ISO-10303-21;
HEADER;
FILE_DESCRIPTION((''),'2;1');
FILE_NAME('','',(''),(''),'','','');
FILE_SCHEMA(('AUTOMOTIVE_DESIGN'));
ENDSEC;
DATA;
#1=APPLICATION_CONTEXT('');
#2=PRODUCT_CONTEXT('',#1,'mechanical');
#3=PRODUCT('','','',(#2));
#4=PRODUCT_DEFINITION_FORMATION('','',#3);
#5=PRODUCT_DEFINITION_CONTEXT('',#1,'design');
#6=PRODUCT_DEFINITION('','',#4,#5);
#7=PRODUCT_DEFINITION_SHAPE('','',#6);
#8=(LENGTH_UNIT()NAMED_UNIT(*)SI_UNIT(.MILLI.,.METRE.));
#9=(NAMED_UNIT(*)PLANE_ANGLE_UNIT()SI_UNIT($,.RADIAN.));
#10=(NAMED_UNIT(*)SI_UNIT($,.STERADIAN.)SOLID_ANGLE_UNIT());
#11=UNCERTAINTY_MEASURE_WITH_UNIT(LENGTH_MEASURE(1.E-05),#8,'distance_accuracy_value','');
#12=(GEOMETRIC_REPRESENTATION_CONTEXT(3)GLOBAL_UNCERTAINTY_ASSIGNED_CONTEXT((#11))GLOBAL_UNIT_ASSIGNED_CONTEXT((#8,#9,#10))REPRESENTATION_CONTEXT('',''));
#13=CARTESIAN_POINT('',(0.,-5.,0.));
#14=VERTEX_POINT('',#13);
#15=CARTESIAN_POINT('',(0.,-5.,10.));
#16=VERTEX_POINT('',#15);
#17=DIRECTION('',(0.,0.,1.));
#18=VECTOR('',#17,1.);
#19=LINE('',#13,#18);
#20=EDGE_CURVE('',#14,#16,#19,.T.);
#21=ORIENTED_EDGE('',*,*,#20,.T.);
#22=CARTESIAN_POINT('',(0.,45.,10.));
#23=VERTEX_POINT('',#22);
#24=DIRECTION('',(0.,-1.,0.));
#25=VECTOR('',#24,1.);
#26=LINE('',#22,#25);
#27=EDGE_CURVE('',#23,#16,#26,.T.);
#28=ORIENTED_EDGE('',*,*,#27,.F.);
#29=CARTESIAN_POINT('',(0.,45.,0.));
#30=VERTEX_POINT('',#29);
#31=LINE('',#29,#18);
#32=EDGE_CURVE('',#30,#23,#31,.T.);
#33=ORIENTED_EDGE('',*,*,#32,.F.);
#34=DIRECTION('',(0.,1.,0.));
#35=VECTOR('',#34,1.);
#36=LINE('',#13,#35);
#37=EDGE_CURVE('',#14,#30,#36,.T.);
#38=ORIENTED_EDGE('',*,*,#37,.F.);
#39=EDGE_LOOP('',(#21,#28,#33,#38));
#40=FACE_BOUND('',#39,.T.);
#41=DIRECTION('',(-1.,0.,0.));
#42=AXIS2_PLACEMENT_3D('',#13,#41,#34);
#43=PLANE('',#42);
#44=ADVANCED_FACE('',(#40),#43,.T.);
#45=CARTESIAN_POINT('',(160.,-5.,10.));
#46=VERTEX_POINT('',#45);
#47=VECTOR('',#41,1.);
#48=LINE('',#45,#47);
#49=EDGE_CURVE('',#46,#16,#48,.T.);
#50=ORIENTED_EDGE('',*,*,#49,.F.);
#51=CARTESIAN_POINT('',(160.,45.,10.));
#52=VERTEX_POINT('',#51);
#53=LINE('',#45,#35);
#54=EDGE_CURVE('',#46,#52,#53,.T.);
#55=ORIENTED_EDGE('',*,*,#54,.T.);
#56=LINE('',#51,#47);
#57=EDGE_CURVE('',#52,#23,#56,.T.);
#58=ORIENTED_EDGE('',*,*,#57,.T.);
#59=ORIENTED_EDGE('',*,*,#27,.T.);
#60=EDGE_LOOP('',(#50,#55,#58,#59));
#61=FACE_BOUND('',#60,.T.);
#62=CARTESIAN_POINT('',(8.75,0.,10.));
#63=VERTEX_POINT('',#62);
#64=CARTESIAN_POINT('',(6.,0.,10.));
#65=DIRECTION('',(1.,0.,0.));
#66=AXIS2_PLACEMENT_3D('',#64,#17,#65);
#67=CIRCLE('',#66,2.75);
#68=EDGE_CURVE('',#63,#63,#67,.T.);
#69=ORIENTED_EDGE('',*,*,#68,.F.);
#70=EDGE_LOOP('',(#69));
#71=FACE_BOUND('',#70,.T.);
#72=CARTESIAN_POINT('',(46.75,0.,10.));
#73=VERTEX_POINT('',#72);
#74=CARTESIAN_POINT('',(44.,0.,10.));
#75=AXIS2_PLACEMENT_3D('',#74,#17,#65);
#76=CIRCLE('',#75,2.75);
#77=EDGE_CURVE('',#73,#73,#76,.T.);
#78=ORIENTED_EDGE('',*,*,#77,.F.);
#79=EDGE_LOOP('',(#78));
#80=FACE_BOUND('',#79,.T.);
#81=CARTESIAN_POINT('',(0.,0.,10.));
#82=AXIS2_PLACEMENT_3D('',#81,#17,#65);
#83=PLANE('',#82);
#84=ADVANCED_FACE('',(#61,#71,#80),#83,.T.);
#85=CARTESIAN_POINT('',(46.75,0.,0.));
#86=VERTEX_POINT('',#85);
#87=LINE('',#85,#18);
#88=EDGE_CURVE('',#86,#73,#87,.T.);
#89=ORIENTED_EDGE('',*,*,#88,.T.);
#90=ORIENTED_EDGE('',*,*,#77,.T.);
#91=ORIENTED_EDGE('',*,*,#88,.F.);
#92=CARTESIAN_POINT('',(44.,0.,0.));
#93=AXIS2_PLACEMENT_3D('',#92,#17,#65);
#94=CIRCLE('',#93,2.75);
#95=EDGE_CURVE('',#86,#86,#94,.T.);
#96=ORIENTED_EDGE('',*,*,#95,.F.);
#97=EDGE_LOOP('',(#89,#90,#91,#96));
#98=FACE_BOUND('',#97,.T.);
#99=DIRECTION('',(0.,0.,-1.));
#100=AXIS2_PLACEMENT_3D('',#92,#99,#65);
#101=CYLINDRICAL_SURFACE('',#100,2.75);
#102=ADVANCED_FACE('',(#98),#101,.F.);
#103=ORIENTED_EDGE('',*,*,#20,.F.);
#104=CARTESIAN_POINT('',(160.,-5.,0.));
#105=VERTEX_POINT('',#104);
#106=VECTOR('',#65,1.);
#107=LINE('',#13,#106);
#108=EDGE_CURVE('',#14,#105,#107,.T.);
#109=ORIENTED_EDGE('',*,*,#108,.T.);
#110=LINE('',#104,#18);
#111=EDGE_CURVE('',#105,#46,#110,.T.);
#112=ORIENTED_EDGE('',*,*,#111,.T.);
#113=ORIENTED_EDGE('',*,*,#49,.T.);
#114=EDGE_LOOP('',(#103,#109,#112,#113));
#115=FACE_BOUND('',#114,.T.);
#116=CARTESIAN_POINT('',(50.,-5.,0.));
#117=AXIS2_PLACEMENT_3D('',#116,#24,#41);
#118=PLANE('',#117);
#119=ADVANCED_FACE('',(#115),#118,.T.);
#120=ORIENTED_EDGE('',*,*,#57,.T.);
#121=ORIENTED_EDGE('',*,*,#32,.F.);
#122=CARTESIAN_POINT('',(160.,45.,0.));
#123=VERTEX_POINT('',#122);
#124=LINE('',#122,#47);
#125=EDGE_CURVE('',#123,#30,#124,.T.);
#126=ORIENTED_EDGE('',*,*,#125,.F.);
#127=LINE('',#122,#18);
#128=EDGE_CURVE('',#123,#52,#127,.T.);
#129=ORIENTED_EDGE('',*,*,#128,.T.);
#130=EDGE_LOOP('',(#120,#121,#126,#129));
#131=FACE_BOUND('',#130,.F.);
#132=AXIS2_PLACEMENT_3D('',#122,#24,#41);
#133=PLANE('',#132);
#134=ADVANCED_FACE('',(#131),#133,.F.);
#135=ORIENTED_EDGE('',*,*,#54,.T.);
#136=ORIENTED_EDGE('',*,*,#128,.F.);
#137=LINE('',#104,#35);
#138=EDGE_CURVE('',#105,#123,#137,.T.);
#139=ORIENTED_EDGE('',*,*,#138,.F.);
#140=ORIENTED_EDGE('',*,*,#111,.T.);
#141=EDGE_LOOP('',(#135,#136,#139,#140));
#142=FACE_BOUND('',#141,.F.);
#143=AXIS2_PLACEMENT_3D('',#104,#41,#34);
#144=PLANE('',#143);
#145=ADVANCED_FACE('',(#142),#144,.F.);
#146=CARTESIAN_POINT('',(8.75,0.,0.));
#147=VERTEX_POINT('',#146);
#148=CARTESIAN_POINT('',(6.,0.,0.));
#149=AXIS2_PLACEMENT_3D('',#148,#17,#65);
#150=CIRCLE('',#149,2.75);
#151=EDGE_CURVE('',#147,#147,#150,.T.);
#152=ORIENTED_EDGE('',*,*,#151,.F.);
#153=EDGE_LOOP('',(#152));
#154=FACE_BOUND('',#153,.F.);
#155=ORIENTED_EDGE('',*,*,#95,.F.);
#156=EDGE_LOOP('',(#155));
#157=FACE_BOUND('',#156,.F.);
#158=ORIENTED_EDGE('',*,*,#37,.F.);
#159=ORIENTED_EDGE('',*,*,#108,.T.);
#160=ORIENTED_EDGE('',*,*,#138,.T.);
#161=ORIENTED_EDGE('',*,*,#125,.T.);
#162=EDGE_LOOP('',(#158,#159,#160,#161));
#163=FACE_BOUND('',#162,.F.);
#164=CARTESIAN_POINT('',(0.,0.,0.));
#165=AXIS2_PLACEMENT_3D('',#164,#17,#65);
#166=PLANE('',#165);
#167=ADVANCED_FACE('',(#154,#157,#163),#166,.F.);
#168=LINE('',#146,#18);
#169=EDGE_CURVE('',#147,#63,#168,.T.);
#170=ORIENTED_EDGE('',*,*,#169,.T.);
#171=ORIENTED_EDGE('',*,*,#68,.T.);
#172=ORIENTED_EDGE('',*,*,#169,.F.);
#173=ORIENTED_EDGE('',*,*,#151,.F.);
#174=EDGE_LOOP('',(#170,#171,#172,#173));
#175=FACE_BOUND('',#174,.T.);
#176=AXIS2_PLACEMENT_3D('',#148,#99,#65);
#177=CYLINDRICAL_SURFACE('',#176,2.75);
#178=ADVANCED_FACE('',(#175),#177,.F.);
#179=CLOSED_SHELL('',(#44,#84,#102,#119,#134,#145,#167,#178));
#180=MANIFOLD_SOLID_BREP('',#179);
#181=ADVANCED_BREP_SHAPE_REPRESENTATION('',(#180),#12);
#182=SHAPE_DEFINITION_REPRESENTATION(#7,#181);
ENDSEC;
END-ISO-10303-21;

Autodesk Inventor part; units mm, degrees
ref_plane "YZ Plane" through (0, 0, 0) normal (1, 0, 0) x (0, 1, 0)
ref_plane "XZ Plane" through (0, 0, 0) normal (0, 1, 0) x (-1, 0, 0)
ref_plane "XY Plane" through (0, 0, 0) normal (0, 0, 1) x (1, 0, 0)
sketch "スケッチ1" plane through (0, 0, 0) normal (0, 0, 1) x (1, 0, 0)
  line L0 (34.5, -2.7) -> (15.5, -2.7) projected
  line L1 (50, -5) -> (0, -5) projected
  line L2 (12, -5) -> (12, 5) projected
  circle A0 centre (44, 0) radius 2.75 projected
  circle A1 centre (6, 0) radius 2.75 projected
  line L3 (50, -5) -> (50, 5) projected
  line L4 (0, 5) -> (50, 5) projected
  line L5 (0, -5) -> (0, 5) projected
  line L6 (50, -5) -> (0, -5) projected
  line L7 (0, -5) -> (160, -5)
  line L8 (160, -5) -> (160, 45)
  line L9 (160, 45) -> (0, 45)
  line L10 (0, 45) -> (0, -5)
  point P0 (0, 0)
  dimension "d0" = 160
  dimension "d1" = 50
extrude "押し出し1" add sketch "スケッチ1" along normal blind 10
